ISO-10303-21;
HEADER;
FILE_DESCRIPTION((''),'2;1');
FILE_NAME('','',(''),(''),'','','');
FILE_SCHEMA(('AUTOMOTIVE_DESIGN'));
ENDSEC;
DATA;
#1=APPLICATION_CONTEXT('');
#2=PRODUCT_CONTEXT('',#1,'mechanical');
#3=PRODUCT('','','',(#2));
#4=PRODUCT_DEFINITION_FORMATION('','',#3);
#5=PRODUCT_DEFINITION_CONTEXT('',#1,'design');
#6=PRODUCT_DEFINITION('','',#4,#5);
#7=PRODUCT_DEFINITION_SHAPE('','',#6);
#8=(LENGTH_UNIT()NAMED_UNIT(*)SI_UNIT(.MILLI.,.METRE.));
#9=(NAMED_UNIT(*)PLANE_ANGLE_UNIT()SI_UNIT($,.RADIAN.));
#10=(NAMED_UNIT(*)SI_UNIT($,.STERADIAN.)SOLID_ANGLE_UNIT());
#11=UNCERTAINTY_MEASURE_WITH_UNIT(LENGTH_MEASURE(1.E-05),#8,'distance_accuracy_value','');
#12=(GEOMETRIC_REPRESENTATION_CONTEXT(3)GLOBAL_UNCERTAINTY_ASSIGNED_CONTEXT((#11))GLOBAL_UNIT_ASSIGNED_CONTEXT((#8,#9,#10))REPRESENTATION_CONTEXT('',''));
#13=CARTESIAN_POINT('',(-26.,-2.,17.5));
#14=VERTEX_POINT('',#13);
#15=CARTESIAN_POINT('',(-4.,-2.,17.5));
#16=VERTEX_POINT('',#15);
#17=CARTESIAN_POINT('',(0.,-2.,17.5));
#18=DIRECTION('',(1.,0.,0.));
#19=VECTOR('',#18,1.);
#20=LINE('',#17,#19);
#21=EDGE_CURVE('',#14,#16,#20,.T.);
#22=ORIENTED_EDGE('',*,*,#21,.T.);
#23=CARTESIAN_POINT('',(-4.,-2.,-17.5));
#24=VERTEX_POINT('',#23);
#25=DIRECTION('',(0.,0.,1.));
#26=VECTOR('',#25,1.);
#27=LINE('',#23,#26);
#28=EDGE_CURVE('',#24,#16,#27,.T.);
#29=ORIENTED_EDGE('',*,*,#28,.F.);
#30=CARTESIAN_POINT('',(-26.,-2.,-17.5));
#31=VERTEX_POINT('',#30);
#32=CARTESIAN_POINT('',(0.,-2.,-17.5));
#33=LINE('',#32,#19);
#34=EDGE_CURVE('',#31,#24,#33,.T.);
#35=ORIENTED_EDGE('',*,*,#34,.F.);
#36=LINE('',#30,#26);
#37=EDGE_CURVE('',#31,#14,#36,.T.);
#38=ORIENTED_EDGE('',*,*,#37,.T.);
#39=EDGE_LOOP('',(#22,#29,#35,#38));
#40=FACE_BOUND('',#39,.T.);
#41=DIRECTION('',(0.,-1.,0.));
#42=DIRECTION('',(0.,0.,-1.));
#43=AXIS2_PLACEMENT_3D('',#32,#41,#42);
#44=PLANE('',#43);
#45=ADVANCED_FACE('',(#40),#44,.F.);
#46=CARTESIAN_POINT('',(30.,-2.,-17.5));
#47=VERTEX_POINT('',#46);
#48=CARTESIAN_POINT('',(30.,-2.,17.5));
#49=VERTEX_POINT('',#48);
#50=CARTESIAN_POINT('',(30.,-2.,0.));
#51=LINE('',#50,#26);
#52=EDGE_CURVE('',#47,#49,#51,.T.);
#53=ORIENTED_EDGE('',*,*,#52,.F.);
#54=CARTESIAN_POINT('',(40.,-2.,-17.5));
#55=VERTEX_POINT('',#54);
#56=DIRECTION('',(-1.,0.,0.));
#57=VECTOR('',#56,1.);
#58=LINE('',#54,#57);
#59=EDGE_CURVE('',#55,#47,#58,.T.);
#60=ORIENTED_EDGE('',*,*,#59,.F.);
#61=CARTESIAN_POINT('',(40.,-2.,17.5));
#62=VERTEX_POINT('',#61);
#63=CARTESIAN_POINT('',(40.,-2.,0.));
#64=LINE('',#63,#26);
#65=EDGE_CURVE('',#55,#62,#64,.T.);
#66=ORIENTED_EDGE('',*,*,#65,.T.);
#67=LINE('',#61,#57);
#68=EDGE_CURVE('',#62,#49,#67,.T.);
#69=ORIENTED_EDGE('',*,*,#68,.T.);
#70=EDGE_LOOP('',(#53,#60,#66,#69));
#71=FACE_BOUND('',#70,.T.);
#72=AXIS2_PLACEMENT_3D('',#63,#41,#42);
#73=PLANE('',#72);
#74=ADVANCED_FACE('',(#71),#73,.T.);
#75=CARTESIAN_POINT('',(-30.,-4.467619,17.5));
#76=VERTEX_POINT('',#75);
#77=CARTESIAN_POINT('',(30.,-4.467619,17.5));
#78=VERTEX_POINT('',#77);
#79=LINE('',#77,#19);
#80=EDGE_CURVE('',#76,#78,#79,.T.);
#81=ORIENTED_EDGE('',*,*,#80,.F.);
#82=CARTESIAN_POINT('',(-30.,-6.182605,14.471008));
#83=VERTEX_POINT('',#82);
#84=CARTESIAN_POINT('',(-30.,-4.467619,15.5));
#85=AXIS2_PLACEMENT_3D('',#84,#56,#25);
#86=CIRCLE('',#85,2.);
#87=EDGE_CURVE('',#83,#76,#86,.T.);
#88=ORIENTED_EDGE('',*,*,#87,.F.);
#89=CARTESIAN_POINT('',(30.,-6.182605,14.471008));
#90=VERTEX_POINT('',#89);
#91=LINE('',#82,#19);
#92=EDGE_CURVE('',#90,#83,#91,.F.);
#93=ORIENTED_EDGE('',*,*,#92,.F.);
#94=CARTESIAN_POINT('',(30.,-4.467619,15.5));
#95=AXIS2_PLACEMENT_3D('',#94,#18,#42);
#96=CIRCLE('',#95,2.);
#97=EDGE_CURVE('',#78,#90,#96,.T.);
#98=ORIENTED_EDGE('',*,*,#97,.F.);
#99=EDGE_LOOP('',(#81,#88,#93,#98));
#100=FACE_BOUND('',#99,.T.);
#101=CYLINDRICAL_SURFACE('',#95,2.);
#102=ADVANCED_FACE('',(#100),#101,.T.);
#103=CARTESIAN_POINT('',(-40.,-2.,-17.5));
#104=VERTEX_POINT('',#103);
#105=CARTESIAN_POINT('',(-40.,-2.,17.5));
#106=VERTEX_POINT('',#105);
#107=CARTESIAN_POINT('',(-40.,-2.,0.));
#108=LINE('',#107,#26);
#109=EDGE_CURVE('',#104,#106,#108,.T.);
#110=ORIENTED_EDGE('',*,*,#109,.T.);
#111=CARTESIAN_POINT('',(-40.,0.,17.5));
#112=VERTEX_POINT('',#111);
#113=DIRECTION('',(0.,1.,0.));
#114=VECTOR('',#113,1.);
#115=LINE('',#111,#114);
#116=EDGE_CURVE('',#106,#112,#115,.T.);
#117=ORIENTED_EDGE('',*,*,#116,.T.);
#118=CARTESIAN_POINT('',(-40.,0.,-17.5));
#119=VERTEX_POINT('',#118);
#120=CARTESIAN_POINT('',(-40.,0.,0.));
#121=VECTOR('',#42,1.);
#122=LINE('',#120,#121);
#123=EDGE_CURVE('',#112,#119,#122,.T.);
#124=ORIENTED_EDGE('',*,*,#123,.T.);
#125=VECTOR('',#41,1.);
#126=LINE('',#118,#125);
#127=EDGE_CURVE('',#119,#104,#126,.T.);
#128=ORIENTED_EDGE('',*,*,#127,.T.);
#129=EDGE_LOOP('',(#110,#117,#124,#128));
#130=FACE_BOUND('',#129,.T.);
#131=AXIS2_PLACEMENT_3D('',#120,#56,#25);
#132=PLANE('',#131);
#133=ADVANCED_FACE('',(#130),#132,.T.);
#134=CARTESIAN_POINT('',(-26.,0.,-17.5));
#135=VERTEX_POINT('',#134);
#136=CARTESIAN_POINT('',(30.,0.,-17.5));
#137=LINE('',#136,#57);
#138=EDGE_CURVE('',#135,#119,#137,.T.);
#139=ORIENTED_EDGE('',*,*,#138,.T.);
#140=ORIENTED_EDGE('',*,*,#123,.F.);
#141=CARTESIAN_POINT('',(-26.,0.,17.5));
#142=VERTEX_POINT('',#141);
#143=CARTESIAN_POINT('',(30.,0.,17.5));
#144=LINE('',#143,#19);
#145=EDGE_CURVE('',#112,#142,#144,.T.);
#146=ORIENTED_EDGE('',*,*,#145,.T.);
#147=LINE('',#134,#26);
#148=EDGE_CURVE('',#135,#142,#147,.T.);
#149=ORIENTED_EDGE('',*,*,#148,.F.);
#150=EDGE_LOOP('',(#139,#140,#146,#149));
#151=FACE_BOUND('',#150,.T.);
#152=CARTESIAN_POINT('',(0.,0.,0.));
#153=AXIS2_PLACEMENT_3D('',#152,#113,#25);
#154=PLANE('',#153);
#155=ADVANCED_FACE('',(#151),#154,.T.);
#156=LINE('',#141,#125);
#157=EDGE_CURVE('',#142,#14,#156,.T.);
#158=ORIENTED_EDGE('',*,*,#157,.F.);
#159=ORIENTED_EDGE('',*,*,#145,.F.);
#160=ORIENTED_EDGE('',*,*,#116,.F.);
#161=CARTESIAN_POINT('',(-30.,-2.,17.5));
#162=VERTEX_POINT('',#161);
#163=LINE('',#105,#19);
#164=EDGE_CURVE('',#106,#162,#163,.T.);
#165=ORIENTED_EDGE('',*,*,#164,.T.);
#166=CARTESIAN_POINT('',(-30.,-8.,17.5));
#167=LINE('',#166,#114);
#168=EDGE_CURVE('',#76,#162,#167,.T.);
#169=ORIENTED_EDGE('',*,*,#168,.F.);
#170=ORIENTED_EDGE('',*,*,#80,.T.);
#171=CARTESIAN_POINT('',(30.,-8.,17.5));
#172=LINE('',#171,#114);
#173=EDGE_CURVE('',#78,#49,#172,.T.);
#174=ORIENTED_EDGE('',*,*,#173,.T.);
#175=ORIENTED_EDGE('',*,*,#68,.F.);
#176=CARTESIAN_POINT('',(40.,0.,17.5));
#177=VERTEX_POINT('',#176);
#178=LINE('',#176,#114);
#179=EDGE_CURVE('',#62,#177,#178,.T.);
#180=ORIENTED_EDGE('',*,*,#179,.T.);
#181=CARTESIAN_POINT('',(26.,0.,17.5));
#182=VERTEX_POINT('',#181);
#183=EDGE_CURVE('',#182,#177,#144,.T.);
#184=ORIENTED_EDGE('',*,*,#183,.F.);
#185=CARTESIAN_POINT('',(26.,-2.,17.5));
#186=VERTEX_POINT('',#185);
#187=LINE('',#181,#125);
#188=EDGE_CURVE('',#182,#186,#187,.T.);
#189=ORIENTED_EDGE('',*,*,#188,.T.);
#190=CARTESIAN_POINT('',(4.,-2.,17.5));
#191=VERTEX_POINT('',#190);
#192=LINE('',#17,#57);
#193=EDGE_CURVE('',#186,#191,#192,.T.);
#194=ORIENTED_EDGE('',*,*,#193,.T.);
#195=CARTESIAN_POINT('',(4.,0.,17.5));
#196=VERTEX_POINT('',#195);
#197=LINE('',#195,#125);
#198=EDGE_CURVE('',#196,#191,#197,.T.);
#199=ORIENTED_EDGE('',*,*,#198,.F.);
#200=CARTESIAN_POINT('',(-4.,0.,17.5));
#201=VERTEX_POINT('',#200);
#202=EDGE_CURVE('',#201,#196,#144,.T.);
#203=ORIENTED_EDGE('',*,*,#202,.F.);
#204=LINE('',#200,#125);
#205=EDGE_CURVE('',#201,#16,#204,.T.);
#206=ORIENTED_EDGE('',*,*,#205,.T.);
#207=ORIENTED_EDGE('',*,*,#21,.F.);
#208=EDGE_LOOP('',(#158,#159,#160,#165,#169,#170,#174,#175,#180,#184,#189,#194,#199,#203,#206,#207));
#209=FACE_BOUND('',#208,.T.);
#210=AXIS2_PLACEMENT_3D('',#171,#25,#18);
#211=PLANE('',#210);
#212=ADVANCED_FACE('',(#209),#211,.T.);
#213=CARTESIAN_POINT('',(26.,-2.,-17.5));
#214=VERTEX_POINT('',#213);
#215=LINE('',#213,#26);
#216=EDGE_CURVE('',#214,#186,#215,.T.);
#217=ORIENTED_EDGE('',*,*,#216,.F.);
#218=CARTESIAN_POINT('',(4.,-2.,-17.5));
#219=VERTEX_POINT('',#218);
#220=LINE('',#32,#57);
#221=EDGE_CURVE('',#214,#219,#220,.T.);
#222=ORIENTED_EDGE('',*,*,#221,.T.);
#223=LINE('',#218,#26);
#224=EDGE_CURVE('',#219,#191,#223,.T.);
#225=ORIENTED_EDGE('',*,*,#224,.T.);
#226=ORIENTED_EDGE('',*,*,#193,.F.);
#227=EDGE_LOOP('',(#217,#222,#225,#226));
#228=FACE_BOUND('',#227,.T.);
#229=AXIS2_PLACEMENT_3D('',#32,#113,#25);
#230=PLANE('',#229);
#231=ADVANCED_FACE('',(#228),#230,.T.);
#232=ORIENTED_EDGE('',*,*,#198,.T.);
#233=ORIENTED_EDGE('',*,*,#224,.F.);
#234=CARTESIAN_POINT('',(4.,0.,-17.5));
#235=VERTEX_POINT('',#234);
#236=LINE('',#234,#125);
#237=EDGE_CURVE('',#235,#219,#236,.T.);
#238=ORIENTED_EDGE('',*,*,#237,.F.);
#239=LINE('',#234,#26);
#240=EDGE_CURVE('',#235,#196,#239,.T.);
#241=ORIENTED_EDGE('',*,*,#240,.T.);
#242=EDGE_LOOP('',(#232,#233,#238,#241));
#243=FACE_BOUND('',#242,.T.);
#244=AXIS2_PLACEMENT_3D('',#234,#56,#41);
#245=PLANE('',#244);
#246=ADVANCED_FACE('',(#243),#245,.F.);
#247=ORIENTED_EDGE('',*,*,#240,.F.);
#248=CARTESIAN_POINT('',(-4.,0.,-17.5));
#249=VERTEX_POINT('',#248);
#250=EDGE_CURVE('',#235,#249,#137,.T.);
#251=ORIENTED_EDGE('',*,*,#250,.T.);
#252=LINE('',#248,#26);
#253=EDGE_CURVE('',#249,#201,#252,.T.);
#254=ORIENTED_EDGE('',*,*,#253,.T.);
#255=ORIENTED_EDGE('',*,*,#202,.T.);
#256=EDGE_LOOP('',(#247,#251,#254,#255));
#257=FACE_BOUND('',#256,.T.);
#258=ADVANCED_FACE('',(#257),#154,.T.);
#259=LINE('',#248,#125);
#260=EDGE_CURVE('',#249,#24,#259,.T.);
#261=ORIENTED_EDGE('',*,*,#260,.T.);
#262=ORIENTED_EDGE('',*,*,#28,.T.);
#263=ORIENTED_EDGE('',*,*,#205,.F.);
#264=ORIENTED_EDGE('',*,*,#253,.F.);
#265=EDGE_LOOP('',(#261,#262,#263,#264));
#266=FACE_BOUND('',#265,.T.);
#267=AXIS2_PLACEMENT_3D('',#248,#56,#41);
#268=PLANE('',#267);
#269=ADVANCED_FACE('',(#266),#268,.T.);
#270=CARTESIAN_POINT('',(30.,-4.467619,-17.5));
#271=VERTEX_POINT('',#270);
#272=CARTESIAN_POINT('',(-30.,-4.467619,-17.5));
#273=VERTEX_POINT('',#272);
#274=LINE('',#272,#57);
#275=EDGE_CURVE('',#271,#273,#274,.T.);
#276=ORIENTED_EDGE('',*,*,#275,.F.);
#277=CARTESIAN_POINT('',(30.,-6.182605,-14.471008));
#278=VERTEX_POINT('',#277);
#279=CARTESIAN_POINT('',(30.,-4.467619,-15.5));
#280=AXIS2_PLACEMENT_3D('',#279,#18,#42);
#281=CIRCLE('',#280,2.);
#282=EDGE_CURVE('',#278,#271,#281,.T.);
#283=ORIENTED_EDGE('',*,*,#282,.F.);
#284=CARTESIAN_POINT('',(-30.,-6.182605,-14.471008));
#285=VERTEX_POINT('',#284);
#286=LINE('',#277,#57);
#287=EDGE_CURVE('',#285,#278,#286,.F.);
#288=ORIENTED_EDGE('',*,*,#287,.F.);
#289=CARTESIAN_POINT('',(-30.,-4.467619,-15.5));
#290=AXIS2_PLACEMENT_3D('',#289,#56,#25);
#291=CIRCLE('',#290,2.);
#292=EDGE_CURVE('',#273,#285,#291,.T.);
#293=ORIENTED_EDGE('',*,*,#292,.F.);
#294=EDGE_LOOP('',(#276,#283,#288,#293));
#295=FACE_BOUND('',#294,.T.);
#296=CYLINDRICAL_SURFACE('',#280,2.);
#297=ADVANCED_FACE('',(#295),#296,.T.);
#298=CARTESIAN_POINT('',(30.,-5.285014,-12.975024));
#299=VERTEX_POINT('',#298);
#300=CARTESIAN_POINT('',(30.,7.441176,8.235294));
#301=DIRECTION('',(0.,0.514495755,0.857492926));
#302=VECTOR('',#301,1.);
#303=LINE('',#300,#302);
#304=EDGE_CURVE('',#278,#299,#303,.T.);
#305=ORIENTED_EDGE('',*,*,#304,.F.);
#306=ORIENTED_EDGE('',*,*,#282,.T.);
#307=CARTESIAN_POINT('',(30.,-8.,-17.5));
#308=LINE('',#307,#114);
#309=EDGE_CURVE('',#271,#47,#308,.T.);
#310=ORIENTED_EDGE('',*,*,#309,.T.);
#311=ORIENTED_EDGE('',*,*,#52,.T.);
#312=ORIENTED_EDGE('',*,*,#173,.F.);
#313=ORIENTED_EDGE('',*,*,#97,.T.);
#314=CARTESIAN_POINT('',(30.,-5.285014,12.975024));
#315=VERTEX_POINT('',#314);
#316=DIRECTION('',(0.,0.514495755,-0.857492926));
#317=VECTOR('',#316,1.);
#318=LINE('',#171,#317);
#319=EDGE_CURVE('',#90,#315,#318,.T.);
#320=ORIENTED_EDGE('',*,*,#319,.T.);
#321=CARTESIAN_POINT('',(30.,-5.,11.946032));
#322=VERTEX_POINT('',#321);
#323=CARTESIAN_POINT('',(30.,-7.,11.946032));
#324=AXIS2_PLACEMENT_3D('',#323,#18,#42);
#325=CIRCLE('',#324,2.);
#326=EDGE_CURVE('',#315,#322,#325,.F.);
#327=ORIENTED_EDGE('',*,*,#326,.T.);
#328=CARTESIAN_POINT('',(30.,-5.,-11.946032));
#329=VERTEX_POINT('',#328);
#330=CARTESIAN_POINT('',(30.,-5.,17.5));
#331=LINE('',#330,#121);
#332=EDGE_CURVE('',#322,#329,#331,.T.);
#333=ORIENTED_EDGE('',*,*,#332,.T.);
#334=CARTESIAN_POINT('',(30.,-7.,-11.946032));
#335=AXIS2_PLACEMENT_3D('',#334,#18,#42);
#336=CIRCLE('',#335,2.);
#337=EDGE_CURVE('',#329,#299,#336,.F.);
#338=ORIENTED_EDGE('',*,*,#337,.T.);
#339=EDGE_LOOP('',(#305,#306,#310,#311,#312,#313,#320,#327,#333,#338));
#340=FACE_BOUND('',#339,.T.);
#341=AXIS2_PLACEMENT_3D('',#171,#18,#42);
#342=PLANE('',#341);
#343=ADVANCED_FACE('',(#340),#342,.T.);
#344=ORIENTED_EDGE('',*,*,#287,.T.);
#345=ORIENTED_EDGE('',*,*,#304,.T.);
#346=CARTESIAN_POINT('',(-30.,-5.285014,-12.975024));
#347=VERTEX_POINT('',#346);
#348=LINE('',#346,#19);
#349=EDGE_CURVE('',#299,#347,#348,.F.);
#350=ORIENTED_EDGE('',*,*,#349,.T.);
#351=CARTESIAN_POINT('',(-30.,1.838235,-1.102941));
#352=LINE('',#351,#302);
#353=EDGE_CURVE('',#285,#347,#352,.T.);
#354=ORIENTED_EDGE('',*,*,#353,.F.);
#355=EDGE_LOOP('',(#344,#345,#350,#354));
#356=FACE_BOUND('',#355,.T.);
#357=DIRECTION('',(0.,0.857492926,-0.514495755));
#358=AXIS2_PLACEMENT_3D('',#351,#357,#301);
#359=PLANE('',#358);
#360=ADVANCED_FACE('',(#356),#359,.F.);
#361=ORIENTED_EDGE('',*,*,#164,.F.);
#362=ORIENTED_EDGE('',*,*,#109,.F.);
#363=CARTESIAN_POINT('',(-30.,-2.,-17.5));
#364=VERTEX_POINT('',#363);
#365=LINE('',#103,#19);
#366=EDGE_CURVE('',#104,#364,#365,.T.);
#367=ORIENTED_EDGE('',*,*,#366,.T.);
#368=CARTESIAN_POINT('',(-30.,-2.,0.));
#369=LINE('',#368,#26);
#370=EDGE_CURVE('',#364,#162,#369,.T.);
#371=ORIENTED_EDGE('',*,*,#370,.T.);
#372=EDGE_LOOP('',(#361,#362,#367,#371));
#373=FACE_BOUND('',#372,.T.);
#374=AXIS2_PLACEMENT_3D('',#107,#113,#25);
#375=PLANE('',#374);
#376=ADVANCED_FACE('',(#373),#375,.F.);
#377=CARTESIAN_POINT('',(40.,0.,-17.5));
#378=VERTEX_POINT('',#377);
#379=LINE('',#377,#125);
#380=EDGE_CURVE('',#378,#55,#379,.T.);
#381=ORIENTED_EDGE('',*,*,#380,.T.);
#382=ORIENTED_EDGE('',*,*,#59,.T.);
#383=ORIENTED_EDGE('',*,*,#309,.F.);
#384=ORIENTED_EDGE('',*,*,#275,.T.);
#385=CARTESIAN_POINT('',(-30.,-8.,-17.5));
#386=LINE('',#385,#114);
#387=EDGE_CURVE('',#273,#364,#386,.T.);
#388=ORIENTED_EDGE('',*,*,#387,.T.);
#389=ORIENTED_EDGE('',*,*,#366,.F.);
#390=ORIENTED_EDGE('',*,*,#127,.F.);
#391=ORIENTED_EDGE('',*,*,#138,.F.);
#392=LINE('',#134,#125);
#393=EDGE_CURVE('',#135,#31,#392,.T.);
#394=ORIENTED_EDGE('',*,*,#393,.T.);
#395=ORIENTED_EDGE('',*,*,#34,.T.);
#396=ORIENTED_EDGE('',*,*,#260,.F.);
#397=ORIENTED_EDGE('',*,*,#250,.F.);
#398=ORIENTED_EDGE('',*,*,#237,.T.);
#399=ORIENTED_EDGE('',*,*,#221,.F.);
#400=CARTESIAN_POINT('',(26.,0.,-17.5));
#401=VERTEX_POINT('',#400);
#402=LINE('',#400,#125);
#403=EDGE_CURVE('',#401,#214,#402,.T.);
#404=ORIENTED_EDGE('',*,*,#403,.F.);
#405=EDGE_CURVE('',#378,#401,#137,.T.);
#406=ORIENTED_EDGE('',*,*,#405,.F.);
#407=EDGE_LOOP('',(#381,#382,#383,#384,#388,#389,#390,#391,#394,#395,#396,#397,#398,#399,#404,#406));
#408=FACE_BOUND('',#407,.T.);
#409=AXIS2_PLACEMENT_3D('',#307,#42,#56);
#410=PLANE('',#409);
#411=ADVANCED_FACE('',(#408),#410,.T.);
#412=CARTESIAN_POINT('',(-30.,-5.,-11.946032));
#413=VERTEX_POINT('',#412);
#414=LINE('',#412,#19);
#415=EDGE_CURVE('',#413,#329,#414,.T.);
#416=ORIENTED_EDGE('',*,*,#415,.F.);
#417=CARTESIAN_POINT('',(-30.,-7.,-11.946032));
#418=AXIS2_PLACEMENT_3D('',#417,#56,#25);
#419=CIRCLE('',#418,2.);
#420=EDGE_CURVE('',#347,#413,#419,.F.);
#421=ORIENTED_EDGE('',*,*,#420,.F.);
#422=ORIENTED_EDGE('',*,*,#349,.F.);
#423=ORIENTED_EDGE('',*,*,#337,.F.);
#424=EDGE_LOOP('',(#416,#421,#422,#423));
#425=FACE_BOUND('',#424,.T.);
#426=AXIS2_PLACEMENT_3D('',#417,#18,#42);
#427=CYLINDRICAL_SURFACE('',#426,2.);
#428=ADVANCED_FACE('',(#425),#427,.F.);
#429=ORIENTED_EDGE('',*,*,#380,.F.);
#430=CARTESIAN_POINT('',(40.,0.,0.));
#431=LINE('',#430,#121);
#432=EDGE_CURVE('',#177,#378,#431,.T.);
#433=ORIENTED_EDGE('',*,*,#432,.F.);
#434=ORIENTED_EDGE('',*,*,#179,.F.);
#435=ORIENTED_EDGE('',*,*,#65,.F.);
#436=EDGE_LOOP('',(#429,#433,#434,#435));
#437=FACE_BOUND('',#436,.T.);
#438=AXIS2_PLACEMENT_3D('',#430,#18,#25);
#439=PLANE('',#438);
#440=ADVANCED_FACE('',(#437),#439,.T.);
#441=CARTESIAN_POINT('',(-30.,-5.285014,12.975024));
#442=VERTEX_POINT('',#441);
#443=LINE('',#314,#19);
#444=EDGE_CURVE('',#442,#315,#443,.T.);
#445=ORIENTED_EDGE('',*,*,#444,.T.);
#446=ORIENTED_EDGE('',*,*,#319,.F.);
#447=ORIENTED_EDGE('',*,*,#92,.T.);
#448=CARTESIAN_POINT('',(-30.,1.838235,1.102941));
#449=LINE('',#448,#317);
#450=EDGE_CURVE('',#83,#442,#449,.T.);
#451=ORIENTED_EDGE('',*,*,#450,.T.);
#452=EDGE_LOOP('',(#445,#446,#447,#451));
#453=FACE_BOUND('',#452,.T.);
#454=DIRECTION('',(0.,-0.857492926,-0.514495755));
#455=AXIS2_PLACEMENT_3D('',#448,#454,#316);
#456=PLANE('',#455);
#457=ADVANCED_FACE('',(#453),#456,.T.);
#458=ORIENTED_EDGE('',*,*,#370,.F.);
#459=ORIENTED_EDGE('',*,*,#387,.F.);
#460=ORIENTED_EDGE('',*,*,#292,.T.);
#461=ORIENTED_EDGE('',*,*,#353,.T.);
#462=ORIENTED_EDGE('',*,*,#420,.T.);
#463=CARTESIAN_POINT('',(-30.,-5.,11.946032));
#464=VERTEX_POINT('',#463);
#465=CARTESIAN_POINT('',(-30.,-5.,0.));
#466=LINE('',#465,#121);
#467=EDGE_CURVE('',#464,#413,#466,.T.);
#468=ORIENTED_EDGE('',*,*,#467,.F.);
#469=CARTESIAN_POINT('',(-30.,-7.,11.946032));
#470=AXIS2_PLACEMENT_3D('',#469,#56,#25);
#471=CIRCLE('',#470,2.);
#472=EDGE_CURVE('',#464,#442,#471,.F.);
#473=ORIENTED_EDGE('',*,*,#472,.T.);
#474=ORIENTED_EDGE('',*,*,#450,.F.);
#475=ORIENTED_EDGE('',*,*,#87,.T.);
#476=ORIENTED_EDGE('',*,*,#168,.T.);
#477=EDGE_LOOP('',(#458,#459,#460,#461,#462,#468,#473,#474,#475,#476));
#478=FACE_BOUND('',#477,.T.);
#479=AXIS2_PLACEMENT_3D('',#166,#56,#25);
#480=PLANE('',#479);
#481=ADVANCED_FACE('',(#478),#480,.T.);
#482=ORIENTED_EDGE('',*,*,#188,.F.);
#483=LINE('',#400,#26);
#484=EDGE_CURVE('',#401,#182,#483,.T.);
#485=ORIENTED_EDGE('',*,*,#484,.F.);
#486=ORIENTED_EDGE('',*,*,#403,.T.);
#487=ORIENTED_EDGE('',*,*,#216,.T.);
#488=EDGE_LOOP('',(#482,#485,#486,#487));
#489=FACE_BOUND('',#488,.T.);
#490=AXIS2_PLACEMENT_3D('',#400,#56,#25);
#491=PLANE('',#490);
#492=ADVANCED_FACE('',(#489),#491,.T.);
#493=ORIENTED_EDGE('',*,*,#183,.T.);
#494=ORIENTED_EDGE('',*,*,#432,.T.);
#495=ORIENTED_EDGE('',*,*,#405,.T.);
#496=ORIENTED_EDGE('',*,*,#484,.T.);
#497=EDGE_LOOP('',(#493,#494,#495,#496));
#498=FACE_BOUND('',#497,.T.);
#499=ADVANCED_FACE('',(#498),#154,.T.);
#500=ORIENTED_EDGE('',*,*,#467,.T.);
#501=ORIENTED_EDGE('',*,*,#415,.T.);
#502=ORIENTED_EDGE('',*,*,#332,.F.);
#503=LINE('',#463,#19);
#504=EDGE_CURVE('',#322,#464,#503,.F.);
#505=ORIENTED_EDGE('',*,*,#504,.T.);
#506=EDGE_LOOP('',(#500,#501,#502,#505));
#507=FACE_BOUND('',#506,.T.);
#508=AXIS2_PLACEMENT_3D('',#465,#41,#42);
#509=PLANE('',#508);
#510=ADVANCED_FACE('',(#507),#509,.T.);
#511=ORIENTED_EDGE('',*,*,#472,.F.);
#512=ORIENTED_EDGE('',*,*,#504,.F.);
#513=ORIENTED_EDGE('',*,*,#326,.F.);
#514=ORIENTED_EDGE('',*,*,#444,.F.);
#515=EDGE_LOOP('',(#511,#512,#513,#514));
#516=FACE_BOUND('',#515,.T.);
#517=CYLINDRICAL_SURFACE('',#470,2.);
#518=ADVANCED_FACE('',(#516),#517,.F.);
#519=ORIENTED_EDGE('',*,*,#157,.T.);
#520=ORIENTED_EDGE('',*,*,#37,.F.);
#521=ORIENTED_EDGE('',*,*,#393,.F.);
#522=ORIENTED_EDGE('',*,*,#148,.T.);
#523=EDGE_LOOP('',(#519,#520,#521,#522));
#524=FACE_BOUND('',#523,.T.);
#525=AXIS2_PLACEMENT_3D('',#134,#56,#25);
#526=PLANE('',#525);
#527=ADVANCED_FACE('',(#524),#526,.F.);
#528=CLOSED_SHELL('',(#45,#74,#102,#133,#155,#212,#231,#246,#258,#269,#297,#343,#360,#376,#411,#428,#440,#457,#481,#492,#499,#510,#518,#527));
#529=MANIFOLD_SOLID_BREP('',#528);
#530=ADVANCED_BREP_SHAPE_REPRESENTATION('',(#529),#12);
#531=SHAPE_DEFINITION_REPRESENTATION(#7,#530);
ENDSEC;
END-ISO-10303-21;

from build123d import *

# Parameters (mm, degrees)
SKETCH1_W               = 60
SKETCH1_H               = 35
BOSS_EXTRUDE1_DEPTH     = 8
CUT_EXTRUDE1_DEPTH      = 1
CUT_EXTRUDE1_DEPTH_BACK = 61
FILLET1_R               = 2
SKETCH3_W               = 22
SKETCH3_H               = 2
CUT_EXTRUDE2_DEPTH      = 36
SKETCH5_W               = 35
SKETCH5_H               = 2
BOSS_EXTRUDE2_DEPTH     = 10


with BuildPart() as part:
    # Sketch1 → Boss-Extrude1 (new body)
    with BuildSketch(Plane(origin=(0, 0, 0), x_dir=(1, 0, 0), z_dir=(0, 1, 0))):
        Rectangle(SKETCH1_W, SKETCH1_H)
    extrude(amount=-BOSS_EXTRUDE1_DEPTH)

    # Sketch2 → Cut-Extrude1 (cut, two sides)
    with BuildSketch(Plane(origin=(30, 0, 0), x_dir=(0, 0, -1), z_dir=(1, 0, 0))) as cut_extrude1_sk:
        Polygon((-12.5, -5), (-17.5, -8), (0, -8), (0, -5), align=None)
        Polygon((0, -5), (0, -8), (17.5, -8), (12.5, -5), align=None)
    extrude(amount=CUT_EXTRUDE1_DEPTH, mode=Mode.SUBTRACT)
    extrude(cut_extrude1_sk.sketch, amount=-CUT_EXTRUDE1_DEPTH_BACK, mode=Mode.SUBTRACT)

    # Fillet1
    fillet1_edges = [part.edges().sort_by_distance(p)[0] for p in [
        (0, -8, -17.5),
        (0, -5, 12.5),
        (0, -5, -12.5),
        (0, -8, 17.5),
    ]]
    fillet(fillet1_edges, radius=FILLET1_R)

    # Sketch3 → Cut-Extrude2 (cut, through all)
    with BuildSketch(Plane.XY.offset(17.5)):
        with Locations((-15, -1)):
            Rectangle(SKETCH3_W, SKETCH3_H)
        with Locations((15, -1)):
            Rectangle(SKETCH3_W, SKETCH3_H)
    extrude(amount=-CUT_EXTRUDE2_DEPTH, mode=Mode.SUBTRACT)

    # Sketch5 → Boss-Extrude2 (add)
    with BuildSketch(Plane.ZY.offset(30)):
        with Locations((0, -1)):
            Rectangle(SKETCH5_W, SKETCH5_H)
    boss_extrude2 = extrude(amount=BOSS_EXTRUDE2_DEPTH)

    # Mirror1: Boss-Extrude2 across plane
    add(boss_extrude2.mirror(Plane(origin=(0, 0, 0), x_dir=(0, 0, 1), z_dir=(1, 0, 0))))


solid = part.part
